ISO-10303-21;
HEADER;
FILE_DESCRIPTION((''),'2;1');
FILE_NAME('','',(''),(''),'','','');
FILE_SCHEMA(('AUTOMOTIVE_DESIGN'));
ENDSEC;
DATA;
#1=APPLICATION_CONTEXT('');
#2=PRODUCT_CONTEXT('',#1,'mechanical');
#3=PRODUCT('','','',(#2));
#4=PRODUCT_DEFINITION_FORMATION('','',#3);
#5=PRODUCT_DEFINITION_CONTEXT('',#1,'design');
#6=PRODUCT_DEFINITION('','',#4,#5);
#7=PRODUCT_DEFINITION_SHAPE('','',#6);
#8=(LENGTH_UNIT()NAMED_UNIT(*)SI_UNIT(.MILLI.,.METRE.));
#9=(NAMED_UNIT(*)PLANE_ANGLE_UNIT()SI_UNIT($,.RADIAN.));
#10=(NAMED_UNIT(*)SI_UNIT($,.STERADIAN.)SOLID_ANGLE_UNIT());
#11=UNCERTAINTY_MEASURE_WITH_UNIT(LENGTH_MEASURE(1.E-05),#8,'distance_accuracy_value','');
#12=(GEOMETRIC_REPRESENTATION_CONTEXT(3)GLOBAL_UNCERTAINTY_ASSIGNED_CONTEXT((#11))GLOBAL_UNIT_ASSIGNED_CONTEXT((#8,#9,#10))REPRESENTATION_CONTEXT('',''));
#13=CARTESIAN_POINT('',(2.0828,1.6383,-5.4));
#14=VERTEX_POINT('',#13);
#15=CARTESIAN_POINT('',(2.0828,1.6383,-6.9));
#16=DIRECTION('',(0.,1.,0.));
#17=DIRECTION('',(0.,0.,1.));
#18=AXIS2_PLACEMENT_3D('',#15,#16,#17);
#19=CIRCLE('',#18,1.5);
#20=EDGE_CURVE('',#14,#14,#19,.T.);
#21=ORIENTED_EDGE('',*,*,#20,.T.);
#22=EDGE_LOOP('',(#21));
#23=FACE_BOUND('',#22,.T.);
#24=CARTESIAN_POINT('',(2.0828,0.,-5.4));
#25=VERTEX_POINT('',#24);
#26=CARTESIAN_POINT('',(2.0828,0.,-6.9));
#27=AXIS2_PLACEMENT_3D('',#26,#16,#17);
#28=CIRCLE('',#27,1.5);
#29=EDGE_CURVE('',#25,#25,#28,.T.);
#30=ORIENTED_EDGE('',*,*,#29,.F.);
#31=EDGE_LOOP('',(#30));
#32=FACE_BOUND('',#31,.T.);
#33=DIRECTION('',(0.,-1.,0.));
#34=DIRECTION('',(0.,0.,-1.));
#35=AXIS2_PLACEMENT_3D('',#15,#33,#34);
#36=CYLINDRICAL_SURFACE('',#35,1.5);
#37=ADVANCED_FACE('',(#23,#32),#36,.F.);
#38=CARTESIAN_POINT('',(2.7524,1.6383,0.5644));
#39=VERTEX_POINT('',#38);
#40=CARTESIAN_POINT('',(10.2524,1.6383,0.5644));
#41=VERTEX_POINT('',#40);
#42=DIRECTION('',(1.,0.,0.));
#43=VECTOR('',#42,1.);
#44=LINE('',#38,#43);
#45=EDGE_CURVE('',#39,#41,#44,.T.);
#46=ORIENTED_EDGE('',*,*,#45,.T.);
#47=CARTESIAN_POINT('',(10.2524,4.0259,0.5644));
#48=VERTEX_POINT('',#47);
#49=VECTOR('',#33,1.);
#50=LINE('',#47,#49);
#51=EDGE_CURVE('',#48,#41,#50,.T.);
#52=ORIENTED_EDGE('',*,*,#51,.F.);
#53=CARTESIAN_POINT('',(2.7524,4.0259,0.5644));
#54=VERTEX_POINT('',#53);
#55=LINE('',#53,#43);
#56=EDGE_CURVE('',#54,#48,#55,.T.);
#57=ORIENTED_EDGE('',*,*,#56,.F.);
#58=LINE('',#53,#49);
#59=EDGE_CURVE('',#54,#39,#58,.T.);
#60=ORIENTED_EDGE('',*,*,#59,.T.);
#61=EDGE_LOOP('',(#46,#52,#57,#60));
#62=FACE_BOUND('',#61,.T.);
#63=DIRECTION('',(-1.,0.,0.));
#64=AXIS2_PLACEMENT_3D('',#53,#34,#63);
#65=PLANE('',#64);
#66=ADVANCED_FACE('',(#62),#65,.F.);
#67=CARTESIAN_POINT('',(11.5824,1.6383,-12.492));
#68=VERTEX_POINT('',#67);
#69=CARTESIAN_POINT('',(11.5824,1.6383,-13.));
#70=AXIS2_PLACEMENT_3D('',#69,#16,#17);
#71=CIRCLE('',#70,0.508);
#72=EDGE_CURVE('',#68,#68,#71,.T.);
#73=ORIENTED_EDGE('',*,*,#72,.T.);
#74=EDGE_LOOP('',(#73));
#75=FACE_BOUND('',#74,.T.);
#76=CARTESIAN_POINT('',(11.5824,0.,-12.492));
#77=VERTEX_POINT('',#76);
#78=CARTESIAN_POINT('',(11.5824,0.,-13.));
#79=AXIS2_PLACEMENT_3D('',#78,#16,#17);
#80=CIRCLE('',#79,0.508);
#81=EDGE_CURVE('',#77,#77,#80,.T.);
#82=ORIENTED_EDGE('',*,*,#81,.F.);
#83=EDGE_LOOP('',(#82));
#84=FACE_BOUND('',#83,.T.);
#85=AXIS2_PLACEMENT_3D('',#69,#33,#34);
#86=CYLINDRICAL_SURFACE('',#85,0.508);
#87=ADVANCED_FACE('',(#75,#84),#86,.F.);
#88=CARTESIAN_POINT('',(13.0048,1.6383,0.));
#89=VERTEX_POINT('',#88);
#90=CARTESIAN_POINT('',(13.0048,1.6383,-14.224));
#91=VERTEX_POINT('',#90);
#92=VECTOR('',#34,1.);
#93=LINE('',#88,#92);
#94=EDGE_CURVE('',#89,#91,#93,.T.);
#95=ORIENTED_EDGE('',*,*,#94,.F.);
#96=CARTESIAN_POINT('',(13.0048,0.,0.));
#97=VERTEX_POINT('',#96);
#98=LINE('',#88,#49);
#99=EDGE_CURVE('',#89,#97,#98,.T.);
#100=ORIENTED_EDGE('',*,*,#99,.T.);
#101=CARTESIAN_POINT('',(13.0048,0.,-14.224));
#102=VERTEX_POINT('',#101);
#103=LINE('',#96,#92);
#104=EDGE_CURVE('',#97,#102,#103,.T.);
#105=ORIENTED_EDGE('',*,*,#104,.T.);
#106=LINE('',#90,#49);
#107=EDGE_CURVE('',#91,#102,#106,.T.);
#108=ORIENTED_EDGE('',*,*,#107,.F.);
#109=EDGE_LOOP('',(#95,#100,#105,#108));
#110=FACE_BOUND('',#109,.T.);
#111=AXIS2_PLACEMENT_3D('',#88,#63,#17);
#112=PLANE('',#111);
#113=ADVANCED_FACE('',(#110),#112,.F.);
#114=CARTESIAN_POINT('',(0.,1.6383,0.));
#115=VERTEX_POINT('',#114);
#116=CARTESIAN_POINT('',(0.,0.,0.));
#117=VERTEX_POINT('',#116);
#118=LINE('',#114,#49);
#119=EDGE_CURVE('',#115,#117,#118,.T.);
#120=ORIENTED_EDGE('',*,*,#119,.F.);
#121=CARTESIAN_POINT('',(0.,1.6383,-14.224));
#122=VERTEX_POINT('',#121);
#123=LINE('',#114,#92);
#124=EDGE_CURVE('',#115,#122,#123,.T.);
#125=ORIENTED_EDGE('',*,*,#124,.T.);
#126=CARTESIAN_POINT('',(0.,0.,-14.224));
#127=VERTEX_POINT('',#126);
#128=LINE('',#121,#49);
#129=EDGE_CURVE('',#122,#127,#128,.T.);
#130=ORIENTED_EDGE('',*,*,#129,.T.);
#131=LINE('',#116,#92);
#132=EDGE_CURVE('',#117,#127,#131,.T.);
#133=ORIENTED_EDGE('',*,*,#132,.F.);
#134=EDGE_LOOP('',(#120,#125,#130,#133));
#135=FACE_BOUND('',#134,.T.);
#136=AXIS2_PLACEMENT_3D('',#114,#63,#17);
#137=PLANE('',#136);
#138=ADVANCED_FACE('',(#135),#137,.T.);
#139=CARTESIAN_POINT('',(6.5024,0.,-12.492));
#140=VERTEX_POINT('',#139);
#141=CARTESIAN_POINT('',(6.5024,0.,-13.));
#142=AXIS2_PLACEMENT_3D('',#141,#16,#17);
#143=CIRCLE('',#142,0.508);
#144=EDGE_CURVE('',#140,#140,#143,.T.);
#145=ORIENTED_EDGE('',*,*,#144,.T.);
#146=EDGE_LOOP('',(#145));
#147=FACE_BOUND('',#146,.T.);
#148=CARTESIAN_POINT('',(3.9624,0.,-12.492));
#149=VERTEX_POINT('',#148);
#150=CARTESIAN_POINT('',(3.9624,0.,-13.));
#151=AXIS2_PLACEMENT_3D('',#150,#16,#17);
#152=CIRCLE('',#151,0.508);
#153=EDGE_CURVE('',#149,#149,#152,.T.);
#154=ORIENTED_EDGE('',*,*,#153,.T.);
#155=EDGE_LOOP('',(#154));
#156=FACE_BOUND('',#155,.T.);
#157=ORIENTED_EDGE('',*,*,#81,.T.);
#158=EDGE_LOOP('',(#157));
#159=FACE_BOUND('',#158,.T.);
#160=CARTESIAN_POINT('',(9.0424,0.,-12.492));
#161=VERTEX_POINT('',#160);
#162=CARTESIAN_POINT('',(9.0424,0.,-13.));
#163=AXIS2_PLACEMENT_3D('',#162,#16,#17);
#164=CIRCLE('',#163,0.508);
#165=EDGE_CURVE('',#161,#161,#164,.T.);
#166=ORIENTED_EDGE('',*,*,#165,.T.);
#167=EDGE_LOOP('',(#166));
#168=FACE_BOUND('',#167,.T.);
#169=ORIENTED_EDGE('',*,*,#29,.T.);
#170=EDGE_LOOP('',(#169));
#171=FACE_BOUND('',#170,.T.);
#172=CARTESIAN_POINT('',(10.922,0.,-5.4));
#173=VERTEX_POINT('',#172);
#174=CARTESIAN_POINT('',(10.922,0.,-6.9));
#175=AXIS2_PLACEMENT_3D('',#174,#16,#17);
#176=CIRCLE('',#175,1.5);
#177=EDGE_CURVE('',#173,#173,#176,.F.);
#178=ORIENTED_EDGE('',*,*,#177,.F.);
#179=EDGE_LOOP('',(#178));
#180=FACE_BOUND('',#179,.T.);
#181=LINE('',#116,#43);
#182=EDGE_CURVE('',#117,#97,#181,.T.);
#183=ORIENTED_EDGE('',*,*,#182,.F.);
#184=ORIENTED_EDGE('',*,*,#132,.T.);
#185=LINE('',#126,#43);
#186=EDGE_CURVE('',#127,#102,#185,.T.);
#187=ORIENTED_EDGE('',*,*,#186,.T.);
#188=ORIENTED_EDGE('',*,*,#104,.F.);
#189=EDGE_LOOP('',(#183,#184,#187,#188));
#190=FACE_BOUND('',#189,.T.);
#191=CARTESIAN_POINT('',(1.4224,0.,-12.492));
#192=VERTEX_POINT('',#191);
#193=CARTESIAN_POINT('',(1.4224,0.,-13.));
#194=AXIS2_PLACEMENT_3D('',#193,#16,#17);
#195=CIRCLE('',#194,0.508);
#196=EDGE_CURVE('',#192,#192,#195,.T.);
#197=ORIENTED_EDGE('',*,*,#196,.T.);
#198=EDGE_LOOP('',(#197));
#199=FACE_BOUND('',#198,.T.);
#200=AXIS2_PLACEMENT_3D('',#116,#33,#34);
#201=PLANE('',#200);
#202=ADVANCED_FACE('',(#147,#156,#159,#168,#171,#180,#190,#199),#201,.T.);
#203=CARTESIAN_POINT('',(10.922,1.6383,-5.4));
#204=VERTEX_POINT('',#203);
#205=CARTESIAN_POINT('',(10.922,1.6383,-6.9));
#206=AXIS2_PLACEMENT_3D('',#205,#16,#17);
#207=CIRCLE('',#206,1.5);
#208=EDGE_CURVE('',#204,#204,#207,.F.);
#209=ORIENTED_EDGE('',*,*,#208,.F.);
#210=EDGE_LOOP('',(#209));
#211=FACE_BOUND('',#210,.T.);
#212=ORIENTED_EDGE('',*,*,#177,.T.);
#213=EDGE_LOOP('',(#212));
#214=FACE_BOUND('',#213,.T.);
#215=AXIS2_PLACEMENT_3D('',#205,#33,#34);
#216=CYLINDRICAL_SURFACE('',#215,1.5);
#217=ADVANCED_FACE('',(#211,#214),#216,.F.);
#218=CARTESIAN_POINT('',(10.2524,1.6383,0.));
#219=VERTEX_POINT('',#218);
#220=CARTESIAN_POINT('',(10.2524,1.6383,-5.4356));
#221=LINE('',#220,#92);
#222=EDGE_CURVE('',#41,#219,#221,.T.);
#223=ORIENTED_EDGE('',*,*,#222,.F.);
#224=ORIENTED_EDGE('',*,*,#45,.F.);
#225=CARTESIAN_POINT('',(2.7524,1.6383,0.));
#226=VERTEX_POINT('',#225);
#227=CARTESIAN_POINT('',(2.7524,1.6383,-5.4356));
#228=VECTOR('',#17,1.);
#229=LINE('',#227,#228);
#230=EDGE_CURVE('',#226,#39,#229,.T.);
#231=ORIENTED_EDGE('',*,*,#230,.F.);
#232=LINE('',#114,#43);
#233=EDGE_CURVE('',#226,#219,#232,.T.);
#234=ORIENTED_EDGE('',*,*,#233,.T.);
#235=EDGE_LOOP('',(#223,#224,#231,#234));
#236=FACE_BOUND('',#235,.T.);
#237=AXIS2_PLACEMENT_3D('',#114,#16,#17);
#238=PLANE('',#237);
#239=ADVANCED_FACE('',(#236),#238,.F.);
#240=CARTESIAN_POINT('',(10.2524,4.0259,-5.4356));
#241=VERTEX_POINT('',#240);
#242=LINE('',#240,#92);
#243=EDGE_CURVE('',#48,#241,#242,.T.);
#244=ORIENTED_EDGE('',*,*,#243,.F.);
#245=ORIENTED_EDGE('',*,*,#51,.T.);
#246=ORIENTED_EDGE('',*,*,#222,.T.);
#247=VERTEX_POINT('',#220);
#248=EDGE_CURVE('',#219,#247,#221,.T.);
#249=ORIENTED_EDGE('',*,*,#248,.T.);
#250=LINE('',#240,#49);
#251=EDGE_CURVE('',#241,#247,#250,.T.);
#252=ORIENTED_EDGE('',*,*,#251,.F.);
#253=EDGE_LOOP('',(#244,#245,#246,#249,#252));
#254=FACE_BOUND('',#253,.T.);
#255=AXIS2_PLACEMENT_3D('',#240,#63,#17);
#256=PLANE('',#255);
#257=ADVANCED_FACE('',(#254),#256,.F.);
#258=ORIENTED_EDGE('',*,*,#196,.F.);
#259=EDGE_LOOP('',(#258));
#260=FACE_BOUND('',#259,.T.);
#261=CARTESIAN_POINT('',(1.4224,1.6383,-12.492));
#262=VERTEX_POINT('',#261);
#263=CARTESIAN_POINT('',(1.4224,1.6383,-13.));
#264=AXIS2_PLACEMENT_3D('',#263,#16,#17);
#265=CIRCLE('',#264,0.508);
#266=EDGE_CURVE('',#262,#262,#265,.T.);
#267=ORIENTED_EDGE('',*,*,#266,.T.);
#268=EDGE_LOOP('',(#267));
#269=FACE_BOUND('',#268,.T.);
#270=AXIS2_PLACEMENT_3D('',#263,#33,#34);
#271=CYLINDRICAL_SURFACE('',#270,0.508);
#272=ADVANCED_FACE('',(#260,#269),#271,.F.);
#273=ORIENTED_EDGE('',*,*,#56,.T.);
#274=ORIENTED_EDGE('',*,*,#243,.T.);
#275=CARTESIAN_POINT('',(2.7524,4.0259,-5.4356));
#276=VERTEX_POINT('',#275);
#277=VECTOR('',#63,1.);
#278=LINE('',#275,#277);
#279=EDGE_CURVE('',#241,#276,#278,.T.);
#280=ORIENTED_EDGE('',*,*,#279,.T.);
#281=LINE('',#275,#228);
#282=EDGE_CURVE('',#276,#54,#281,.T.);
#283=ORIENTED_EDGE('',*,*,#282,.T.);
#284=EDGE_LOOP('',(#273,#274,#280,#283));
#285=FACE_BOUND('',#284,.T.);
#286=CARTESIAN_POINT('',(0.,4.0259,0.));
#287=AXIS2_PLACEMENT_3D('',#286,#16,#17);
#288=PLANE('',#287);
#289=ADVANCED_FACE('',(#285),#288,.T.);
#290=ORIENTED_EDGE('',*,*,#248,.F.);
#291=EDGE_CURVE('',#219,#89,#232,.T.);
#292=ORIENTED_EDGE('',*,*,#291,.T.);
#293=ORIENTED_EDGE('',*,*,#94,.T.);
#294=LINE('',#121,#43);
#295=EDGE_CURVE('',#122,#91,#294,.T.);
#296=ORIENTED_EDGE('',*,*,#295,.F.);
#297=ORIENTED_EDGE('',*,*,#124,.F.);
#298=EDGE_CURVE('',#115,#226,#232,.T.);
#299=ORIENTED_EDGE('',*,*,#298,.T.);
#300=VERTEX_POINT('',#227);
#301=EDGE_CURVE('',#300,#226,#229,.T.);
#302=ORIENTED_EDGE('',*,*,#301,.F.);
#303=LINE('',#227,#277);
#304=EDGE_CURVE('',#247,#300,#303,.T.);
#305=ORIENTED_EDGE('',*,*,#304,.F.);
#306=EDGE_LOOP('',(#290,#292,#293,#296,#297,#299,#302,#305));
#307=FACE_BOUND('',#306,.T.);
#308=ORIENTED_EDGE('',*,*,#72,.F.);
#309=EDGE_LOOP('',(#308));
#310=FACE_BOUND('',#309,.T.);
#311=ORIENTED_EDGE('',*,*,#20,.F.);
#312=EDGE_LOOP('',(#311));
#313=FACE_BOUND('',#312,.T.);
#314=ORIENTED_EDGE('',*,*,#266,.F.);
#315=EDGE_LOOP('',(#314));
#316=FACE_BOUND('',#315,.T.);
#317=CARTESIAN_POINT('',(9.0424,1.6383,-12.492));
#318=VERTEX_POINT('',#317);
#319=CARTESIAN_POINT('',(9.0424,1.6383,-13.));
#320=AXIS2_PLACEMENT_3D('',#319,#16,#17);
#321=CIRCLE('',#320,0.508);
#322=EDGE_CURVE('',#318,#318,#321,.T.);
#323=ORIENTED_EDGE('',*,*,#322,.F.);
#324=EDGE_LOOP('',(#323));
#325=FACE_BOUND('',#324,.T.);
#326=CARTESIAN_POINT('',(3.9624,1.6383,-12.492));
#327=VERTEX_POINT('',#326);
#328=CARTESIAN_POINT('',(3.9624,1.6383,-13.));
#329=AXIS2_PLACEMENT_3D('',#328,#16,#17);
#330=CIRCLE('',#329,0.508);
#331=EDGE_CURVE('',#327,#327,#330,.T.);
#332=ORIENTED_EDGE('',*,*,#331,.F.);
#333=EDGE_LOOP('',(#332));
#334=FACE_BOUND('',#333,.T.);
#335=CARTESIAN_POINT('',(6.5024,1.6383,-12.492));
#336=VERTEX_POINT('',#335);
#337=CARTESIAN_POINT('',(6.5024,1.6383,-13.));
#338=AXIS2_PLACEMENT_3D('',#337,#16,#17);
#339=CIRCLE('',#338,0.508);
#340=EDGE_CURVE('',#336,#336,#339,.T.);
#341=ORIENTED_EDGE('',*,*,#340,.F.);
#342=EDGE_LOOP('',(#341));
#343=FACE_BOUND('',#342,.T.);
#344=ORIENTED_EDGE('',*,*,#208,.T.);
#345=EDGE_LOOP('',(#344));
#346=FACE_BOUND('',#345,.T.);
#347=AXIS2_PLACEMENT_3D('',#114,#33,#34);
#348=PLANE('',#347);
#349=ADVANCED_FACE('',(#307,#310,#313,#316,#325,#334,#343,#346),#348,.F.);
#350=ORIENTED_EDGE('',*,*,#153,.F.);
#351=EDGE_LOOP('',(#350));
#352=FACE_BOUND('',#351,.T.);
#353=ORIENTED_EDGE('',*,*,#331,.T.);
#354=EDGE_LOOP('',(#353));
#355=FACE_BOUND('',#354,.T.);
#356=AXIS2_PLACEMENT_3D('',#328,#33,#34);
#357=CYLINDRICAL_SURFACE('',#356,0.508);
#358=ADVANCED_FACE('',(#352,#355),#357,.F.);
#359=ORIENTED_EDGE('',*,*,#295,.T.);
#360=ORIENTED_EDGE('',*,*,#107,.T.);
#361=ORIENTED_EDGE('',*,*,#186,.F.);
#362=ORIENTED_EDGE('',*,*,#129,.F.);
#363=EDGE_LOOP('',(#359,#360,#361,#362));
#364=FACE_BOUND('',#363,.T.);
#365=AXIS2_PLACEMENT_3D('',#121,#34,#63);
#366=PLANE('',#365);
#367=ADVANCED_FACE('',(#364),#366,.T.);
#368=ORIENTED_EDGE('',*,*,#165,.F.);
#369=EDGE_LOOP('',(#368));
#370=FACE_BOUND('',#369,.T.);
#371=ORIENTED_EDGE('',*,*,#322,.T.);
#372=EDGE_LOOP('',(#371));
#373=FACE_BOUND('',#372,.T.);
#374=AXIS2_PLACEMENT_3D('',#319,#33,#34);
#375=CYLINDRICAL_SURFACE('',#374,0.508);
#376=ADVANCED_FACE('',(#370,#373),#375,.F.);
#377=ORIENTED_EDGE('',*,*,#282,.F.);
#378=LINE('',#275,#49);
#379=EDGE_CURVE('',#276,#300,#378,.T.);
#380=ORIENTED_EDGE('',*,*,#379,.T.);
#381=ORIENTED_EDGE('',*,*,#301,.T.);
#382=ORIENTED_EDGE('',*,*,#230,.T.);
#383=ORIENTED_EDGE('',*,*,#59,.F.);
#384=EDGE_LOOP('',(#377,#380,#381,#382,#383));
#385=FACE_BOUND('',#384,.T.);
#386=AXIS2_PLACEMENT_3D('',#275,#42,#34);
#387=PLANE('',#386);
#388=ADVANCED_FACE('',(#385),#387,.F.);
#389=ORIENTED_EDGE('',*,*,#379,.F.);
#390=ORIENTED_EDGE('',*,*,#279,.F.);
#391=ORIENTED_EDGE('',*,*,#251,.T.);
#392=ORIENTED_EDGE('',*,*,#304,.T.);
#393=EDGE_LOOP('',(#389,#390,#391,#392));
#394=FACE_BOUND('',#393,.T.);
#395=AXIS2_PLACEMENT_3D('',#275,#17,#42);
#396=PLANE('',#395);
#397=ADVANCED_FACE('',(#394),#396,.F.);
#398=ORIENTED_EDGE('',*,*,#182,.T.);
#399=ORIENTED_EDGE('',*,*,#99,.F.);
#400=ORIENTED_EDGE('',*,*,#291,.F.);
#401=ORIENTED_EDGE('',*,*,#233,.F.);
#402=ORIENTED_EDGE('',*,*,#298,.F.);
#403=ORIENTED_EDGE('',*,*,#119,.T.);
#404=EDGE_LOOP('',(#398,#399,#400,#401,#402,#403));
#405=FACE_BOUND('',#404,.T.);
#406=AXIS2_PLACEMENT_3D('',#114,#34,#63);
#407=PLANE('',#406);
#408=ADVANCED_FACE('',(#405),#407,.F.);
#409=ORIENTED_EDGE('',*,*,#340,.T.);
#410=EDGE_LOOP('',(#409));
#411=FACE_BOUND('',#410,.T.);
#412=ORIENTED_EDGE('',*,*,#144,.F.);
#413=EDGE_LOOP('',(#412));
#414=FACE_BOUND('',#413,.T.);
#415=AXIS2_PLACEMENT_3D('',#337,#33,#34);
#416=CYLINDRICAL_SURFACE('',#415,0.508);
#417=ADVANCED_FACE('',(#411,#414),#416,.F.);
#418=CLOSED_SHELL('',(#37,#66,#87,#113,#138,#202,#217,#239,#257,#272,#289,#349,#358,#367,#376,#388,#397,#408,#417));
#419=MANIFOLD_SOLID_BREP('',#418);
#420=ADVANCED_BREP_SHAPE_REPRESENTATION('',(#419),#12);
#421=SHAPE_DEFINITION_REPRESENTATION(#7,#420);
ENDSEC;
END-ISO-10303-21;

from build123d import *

# Parameters (mm, degrees)
SKETCH1_W           = 13.0048
SKETCH1_H           = 14.224
SKETCH1_R           = 0.508
SKETCH1_R_2         = 1.5
BOSS_EXTRUDE1_DEPTH = 1.6383
SKETCH2_W           = 7.5
SKETCH2_H           = 6
BOSS_EXTRUDE3_DEPTH = 2.3876


with BuildPart() as part:
    # Sketch1 → Boss-Extrude1 (new body)
    with BuildSketch(Plane(origin=(0, 0, 0), x_dir=(1, 0, 0), z_dir=(0, 1, 0))):
        with Locations((6.5024, 7.112)):
            Rectangle(SKETCH1_W, SKETCH1_H)
        with Locations((1.4224, 13)):
            Circle(SKETCH1_R, mode=Mode.SUBTRACT)
        with Locations((3.9624, 13)):
            Circle(SKETCH1_R, mode=Mode.SUBTRACT)
        with Locations((6.5024, 13)):
            Circle(SKETCH1_R, mode=Mode.SUBTRACT)
        with Locations((9.0424, 13)):
            Circle(SKETCH1_R, mode=Mode.SUBTRACT)
        with Locations((11.5824, 13)):
            Circle(SKETCH1_R, mode=Mode.SUBTRACT)
        with Locations((2.0828, 6.9)):
            Circle(SKETCH1_R_2, mode=Mode.SUBTRACT)
        with Locations((10.922, 6.9)):
            Circle(SKETCH1_R_2, mode=Mode.SUBTRACT)
    extrude(amount=BOSS_EXTRUDE1_DEPTH)

    # Sketch2 → Boss-Extrude3 (add)
    with BuildSketch(Plane(origin=(0, 1.6383, 0), x_dir=(1, 0, 0), z_dir=(0, 1, 0))):
        with Locations((6.5024, 2.4356)):
            Rectangle(SKETCH2_W, SKETCH2_H)
    extrude(amount=BOSS_EXTRUDE3_DEPTH)


solid = part.part
